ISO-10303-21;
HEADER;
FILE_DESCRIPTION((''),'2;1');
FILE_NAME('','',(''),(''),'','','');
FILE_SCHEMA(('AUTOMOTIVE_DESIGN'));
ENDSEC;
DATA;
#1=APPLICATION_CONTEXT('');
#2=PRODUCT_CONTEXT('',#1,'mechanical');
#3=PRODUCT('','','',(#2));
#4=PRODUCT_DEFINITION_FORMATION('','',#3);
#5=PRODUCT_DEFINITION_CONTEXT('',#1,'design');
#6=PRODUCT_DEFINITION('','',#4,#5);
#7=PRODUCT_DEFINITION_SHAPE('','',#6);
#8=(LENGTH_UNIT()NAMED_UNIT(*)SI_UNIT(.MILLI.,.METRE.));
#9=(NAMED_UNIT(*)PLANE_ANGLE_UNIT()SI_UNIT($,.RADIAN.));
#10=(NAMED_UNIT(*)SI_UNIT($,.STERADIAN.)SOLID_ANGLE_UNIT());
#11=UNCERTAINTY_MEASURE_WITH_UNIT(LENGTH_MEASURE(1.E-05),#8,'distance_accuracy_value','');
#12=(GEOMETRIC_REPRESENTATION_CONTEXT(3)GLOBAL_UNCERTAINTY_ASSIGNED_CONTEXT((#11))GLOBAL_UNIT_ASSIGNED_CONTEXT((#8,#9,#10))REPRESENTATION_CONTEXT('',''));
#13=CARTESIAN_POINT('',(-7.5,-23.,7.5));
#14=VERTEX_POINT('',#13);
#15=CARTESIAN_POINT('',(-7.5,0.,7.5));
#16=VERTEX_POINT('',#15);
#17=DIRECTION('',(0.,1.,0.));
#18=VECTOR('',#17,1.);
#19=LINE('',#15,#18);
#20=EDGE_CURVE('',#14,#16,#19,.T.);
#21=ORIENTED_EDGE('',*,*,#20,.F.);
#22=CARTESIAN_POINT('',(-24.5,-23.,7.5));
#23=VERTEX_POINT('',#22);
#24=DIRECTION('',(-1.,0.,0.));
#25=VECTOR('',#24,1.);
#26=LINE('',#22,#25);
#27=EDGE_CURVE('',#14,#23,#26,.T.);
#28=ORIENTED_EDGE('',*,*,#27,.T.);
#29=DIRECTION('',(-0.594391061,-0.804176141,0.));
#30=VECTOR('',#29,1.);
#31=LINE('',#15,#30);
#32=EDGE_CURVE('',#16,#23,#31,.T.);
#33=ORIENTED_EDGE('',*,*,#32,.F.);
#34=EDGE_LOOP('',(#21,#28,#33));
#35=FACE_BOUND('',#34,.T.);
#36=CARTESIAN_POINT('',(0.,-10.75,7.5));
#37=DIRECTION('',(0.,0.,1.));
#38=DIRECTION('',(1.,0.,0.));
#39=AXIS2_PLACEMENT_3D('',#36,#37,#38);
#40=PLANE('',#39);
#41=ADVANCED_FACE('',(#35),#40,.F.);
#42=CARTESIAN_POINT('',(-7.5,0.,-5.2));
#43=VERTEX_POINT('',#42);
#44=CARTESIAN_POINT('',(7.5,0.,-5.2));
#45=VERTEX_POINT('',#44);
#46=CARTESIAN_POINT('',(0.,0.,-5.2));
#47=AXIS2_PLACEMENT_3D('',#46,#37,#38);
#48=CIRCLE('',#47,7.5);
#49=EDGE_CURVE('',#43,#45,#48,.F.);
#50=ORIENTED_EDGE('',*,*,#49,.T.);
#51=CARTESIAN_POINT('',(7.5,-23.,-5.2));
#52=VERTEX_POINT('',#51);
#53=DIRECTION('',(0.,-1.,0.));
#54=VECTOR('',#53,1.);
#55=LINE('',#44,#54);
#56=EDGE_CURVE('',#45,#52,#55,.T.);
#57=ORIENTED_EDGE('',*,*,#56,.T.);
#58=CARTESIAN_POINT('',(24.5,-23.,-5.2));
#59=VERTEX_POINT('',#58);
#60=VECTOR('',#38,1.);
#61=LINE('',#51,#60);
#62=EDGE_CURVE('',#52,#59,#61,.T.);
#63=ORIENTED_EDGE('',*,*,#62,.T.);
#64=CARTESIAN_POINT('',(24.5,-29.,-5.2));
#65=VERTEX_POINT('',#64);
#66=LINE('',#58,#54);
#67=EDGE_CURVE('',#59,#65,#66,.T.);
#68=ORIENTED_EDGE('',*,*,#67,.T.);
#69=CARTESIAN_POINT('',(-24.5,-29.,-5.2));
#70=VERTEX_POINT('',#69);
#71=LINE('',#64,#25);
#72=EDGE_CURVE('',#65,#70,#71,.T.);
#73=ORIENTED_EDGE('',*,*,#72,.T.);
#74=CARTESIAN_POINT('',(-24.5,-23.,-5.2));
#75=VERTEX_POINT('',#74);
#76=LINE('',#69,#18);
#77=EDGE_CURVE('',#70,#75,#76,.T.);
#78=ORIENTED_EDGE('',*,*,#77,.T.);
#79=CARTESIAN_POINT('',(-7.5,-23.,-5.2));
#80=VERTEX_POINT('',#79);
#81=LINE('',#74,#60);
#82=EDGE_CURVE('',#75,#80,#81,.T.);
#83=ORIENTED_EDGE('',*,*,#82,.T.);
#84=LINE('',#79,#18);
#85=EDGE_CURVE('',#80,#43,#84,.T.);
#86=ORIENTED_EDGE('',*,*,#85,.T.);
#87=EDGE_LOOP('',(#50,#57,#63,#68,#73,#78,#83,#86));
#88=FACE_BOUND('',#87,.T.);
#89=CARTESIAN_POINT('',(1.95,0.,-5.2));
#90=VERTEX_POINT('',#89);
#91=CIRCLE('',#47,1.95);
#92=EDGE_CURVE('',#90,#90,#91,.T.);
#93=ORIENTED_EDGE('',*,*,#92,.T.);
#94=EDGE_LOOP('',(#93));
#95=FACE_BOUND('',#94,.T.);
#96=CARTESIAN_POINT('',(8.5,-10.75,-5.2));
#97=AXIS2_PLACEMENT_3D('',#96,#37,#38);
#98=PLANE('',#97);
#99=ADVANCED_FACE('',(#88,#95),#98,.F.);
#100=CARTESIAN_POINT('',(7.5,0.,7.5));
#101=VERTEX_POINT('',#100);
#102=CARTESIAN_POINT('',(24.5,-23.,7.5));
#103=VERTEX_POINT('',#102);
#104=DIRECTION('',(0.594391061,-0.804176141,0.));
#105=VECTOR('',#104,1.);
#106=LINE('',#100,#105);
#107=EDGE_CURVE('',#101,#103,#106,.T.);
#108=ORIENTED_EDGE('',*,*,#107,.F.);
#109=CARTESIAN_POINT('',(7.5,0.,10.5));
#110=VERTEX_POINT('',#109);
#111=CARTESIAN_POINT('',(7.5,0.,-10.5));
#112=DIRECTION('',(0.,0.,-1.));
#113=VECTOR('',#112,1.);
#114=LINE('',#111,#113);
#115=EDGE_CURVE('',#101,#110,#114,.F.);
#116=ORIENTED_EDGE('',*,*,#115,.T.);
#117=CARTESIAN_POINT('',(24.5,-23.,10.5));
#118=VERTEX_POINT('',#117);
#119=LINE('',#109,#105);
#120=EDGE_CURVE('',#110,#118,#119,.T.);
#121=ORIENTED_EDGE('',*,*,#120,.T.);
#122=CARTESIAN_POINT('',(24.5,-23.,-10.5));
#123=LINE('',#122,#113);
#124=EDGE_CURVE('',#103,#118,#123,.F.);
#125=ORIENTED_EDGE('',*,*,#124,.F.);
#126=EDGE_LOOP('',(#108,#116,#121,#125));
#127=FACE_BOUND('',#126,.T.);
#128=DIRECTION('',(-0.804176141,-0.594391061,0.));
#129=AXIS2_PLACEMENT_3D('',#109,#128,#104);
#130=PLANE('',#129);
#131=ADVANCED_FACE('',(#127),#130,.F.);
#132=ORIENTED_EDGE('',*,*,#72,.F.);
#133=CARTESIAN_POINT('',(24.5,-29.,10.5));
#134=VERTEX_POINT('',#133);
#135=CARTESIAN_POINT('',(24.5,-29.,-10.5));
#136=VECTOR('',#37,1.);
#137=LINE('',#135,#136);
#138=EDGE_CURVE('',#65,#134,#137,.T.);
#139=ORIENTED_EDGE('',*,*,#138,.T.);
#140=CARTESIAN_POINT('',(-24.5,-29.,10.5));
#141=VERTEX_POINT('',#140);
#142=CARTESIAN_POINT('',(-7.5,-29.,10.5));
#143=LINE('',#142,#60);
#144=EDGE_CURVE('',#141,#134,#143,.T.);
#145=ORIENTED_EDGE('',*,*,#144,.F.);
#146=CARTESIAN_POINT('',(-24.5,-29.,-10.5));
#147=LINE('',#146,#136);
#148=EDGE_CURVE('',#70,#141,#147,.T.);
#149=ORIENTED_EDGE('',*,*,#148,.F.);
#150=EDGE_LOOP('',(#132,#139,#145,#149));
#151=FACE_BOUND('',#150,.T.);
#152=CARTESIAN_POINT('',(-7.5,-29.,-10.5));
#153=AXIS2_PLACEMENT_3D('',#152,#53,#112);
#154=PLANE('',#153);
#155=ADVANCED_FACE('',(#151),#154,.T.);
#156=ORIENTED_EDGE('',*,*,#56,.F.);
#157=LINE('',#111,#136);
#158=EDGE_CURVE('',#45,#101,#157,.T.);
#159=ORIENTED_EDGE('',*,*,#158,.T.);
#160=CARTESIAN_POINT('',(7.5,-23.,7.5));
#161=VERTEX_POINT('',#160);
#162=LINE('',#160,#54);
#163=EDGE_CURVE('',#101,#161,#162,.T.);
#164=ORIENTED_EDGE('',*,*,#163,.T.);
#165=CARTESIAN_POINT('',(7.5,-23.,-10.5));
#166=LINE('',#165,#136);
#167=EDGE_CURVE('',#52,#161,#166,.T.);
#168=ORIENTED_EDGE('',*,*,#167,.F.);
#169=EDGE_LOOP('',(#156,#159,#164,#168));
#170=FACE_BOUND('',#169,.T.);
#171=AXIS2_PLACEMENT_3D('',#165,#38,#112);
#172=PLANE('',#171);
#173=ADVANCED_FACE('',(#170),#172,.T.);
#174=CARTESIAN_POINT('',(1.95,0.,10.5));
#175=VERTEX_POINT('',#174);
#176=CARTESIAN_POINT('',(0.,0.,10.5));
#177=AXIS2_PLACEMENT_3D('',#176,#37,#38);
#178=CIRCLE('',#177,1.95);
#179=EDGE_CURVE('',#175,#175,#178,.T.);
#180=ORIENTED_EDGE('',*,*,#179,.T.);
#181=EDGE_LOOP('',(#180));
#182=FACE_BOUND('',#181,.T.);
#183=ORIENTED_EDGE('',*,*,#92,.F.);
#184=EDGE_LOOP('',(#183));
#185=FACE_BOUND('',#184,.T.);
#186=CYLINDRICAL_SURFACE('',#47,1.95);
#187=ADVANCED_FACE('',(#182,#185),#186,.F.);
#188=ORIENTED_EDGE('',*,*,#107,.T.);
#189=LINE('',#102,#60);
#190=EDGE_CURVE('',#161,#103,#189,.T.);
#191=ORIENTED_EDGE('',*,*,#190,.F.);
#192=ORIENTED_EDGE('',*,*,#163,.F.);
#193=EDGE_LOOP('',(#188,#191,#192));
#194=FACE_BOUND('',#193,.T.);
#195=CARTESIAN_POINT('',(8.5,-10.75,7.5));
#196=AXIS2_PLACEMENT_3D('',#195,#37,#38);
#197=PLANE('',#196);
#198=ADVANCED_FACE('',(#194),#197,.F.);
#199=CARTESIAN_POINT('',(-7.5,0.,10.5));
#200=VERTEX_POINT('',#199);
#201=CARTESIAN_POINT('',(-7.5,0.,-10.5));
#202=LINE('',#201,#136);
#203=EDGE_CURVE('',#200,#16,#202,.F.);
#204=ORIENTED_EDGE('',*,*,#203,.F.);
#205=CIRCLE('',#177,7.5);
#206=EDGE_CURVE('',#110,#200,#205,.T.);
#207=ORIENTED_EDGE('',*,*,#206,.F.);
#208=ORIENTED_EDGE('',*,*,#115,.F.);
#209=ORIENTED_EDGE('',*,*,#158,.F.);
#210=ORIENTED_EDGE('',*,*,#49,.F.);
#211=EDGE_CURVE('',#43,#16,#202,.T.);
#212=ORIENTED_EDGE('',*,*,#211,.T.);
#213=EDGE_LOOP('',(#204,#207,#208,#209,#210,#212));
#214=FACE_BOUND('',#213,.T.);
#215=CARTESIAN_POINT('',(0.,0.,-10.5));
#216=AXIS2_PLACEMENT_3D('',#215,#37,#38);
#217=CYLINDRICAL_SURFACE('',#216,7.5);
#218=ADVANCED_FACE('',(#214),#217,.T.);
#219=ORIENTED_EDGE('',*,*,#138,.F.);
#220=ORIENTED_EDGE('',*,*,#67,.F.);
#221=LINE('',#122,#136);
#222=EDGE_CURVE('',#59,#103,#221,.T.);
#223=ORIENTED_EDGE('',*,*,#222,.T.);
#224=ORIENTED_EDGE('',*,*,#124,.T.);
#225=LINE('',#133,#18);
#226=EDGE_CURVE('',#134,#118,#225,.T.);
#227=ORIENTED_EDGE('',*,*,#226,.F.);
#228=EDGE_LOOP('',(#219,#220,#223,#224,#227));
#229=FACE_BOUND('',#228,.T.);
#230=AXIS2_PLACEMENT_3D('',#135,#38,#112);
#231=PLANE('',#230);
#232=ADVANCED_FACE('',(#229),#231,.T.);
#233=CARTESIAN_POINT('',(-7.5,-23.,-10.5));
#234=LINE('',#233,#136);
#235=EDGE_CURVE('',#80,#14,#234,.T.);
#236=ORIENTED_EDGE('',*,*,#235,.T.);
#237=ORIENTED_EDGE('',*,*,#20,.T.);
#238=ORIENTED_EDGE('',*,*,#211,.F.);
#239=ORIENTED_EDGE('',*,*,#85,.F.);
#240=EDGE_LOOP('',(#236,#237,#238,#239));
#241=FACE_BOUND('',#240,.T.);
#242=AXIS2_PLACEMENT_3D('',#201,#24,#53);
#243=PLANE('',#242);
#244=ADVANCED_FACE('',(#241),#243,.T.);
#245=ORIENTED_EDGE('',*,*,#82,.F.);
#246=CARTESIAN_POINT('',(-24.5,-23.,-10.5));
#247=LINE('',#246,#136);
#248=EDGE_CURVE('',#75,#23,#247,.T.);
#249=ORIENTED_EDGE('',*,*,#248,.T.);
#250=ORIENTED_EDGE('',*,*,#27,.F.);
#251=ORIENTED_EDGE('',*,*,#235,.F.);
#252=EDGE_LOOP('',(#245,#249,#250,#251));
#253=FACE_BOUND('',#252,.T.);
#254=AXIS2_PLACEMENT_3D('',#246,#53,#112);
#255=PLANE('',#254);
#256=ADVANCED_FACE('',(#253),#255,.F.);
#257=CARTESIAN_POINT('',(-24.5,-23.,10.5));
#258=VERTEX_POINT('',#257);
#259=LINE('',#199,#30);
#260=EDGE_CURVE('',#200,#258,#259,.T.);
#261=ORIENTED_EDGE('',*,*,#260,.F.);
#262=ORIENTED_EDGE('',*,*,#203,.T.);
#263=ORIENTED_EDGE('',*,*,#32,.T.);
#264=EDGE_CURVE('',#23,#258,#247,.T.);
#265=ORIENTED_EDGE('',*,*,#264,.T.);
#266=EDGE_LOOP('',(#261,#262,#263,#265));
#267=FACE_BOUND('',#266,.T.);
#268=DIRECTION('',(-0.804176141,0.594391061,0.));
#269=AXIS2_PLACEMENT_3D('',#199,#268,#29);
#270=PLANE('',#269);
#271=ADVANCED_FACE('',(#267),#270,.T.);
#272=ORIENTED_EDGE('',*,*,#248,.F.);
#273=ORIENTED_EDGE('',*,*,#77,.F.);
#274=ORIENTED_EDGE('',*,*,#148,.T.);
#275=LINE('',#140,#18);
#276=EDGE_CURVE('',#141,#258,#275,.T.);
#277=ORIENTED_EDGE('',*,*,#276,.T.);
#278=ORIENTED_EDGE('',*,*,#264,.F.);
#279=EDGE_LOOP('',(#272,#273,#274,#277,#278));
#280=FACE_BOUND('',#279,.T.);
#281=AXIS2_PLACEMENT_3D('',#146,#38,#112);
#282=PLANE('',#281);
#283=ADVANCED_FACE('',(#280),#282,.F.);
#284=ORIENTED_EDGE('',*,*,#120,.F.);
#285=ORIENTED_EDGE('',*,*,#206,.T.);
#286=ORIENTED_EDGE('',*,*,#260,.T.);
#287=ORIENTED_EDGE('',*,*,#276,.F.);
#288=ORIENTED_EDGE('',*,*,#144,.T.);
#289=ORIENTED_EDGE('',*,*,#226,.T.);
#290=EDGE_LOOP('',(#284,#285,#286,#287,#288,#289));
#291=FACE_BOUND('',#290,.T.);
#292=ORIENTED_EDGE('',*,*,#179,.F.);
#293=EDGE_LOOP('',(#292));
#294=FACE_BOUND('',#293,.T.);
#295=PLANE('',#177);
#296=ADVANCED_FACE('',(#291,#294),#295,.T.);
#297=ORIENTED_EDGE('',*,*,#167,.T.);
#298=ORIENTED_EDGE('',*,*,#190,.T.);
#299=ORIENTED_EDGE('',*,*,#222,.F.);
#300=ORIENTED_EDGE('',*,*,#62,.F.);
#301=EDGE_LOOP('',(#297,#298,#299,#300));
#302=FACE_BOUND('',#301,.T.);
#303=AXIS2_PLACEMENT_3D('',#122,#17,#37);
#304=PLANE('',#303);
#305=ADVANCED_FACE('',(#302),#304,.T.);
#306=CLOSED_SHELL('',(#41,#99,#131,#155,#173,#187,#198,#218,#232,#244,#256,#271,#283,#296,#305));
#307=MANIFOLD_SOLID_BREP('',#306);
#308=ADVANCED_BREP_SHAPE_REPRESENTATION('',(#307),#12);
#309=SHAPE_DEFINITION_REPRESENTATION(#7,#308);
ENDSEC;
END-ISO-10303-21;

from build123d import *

# Parameters (mm, degrees)
MAIN_BODY_DEPTH    = 10.5
RIB1_REACH         = 45.385
SKETCH2_WALL_W     = 117.37050971
SKETCH2_WALL_H     = 3
SKETCH3_R          = 7.5
SHAFT_DEPTH        = 8
CUT_EXTRUDE1_START = -5.3
CUT_EXTRUDE1_DEPTH = 5.3
CUT_EXTRUDE2_START = -13.3
SKETCH6_R          = 7.5
CUT_EXTRUDE2_DEPTH = 13.3
SKETCH7_R          = 1.95
CUT_EXTRUDE3_DEPTH = 42.082112896


with BuildPart() as part:
    # Sketch1 → Main Body (new, symmetric)
    with BuildSketch(Plane.XY):
        with BuildLine():
            Line((-7.5, 0), (-7.5, -29))
            Line((-7.5, -29), (24.5, -29))
            Line((24.5, -29), (24.5, -23))
            Line((24.5, -23), (7.5, -23))
            Line((7.5, -23), (7.5, 0))
            ThreePointArc((7.5, 0), (0, 7.5), (-7.5, 0))
        make_face()
    main_body = extrude(amount=MAIN_BODY_DEPTH, both=True)

    # Sketch2 wall → Rib1 (add, up to next)
    with BuildSketch(Plane(origin=(16, -11.5, 10.5), x_dir=(0.594391061084, -0.804176141466, 0), z_dir=(0.804176141466, 0.594391061084, 0)), mode=Mode.PRIVATE) as rib1_sk1:
        with Locations((0, 1.5)):
            Rectangle(SKETCH2_WALL_W, SKETCH2_WALL_H)
    rib1_tool1 = extrude(rib1_sk1.sketch, amount=-RIB1_REACH, mode=Mode.PRIVATE) - part.part
    rib1 = rib1_tool1.solids().sort_by_distance((16, -11.5, 10.5))[0]
    add(rib1)

    # Sketch3 → Shaft (add)
    with BuildSketch(Plane.XY.offset(-10.5)):
        Circle(SKETCH3_R)
    extrude(amount=-SHAFT_DEPTH)

    # Mirror2: Main Body, Rib1 across plane
    add(main_body.mirror(Plane(origin=(0, 0, 0), x_dir=(0, 0, 1), z_dir=(1, 0, 0))))
    add(rib1.mirror(Plane(origin=(0, 0, 0), x_dir=(0, 0, 1), z_dir=(1, 0, 0))))

    # Sketch5 → Cut-Extrude1 (cut)
    with BuildSketch(Plane(origin=(0, 0, -10.5), x_dir=(-1, 0, 0), z_dir=(0, 0, -1)).offset(CUT_EXTRUDE1_START)):
        with BuildLine():
            Line((-7.5, 0), (-7.5, -23))
            Line((-7.5, -23), (-24.5, -23))
            Line((-24.5, -23), (-24.5, -29))
            Line((-24.5, -29), (24.5, -29))
            Line((24.5, -29), (24.5, -23))
            Line((24.5, -23), (7.5, -23))
            Line((7.5, -23), (7.5, 0))
            ThreePointArc((7.5, 0), (0, -7.5), (-7.5, 0))
        make_face()
    extrude(amount=CUT_EXTRUDE1_DEPTH, mode=Mode.SUBTRACT)

    # Sketch6 → Cut-Extrude2 (cut)
    with BuildSketch(Plane(origin=(0, 0, -18.5), x_dir=(-1, 0, 0), z_dir=(0, 0, -1)).offset(CUT_EXTRUDE2_START)):
        Circle(SKETCH6_R)
    extrude(amount=CUT_EXTRUDE2_DEPTH, mode=Mode.SUBTRACT)

    # Sketch7 → Cut-Extrude3 (cut, through all)
    with BuildSketch(Plane.XY.offset(10.5)):
        Circle(SKETCH7_R)
    extrude(amount=-CUT_EXTRUDE3_DEPTH, mode=Mode.SUBTRACT)


solid = part.part
